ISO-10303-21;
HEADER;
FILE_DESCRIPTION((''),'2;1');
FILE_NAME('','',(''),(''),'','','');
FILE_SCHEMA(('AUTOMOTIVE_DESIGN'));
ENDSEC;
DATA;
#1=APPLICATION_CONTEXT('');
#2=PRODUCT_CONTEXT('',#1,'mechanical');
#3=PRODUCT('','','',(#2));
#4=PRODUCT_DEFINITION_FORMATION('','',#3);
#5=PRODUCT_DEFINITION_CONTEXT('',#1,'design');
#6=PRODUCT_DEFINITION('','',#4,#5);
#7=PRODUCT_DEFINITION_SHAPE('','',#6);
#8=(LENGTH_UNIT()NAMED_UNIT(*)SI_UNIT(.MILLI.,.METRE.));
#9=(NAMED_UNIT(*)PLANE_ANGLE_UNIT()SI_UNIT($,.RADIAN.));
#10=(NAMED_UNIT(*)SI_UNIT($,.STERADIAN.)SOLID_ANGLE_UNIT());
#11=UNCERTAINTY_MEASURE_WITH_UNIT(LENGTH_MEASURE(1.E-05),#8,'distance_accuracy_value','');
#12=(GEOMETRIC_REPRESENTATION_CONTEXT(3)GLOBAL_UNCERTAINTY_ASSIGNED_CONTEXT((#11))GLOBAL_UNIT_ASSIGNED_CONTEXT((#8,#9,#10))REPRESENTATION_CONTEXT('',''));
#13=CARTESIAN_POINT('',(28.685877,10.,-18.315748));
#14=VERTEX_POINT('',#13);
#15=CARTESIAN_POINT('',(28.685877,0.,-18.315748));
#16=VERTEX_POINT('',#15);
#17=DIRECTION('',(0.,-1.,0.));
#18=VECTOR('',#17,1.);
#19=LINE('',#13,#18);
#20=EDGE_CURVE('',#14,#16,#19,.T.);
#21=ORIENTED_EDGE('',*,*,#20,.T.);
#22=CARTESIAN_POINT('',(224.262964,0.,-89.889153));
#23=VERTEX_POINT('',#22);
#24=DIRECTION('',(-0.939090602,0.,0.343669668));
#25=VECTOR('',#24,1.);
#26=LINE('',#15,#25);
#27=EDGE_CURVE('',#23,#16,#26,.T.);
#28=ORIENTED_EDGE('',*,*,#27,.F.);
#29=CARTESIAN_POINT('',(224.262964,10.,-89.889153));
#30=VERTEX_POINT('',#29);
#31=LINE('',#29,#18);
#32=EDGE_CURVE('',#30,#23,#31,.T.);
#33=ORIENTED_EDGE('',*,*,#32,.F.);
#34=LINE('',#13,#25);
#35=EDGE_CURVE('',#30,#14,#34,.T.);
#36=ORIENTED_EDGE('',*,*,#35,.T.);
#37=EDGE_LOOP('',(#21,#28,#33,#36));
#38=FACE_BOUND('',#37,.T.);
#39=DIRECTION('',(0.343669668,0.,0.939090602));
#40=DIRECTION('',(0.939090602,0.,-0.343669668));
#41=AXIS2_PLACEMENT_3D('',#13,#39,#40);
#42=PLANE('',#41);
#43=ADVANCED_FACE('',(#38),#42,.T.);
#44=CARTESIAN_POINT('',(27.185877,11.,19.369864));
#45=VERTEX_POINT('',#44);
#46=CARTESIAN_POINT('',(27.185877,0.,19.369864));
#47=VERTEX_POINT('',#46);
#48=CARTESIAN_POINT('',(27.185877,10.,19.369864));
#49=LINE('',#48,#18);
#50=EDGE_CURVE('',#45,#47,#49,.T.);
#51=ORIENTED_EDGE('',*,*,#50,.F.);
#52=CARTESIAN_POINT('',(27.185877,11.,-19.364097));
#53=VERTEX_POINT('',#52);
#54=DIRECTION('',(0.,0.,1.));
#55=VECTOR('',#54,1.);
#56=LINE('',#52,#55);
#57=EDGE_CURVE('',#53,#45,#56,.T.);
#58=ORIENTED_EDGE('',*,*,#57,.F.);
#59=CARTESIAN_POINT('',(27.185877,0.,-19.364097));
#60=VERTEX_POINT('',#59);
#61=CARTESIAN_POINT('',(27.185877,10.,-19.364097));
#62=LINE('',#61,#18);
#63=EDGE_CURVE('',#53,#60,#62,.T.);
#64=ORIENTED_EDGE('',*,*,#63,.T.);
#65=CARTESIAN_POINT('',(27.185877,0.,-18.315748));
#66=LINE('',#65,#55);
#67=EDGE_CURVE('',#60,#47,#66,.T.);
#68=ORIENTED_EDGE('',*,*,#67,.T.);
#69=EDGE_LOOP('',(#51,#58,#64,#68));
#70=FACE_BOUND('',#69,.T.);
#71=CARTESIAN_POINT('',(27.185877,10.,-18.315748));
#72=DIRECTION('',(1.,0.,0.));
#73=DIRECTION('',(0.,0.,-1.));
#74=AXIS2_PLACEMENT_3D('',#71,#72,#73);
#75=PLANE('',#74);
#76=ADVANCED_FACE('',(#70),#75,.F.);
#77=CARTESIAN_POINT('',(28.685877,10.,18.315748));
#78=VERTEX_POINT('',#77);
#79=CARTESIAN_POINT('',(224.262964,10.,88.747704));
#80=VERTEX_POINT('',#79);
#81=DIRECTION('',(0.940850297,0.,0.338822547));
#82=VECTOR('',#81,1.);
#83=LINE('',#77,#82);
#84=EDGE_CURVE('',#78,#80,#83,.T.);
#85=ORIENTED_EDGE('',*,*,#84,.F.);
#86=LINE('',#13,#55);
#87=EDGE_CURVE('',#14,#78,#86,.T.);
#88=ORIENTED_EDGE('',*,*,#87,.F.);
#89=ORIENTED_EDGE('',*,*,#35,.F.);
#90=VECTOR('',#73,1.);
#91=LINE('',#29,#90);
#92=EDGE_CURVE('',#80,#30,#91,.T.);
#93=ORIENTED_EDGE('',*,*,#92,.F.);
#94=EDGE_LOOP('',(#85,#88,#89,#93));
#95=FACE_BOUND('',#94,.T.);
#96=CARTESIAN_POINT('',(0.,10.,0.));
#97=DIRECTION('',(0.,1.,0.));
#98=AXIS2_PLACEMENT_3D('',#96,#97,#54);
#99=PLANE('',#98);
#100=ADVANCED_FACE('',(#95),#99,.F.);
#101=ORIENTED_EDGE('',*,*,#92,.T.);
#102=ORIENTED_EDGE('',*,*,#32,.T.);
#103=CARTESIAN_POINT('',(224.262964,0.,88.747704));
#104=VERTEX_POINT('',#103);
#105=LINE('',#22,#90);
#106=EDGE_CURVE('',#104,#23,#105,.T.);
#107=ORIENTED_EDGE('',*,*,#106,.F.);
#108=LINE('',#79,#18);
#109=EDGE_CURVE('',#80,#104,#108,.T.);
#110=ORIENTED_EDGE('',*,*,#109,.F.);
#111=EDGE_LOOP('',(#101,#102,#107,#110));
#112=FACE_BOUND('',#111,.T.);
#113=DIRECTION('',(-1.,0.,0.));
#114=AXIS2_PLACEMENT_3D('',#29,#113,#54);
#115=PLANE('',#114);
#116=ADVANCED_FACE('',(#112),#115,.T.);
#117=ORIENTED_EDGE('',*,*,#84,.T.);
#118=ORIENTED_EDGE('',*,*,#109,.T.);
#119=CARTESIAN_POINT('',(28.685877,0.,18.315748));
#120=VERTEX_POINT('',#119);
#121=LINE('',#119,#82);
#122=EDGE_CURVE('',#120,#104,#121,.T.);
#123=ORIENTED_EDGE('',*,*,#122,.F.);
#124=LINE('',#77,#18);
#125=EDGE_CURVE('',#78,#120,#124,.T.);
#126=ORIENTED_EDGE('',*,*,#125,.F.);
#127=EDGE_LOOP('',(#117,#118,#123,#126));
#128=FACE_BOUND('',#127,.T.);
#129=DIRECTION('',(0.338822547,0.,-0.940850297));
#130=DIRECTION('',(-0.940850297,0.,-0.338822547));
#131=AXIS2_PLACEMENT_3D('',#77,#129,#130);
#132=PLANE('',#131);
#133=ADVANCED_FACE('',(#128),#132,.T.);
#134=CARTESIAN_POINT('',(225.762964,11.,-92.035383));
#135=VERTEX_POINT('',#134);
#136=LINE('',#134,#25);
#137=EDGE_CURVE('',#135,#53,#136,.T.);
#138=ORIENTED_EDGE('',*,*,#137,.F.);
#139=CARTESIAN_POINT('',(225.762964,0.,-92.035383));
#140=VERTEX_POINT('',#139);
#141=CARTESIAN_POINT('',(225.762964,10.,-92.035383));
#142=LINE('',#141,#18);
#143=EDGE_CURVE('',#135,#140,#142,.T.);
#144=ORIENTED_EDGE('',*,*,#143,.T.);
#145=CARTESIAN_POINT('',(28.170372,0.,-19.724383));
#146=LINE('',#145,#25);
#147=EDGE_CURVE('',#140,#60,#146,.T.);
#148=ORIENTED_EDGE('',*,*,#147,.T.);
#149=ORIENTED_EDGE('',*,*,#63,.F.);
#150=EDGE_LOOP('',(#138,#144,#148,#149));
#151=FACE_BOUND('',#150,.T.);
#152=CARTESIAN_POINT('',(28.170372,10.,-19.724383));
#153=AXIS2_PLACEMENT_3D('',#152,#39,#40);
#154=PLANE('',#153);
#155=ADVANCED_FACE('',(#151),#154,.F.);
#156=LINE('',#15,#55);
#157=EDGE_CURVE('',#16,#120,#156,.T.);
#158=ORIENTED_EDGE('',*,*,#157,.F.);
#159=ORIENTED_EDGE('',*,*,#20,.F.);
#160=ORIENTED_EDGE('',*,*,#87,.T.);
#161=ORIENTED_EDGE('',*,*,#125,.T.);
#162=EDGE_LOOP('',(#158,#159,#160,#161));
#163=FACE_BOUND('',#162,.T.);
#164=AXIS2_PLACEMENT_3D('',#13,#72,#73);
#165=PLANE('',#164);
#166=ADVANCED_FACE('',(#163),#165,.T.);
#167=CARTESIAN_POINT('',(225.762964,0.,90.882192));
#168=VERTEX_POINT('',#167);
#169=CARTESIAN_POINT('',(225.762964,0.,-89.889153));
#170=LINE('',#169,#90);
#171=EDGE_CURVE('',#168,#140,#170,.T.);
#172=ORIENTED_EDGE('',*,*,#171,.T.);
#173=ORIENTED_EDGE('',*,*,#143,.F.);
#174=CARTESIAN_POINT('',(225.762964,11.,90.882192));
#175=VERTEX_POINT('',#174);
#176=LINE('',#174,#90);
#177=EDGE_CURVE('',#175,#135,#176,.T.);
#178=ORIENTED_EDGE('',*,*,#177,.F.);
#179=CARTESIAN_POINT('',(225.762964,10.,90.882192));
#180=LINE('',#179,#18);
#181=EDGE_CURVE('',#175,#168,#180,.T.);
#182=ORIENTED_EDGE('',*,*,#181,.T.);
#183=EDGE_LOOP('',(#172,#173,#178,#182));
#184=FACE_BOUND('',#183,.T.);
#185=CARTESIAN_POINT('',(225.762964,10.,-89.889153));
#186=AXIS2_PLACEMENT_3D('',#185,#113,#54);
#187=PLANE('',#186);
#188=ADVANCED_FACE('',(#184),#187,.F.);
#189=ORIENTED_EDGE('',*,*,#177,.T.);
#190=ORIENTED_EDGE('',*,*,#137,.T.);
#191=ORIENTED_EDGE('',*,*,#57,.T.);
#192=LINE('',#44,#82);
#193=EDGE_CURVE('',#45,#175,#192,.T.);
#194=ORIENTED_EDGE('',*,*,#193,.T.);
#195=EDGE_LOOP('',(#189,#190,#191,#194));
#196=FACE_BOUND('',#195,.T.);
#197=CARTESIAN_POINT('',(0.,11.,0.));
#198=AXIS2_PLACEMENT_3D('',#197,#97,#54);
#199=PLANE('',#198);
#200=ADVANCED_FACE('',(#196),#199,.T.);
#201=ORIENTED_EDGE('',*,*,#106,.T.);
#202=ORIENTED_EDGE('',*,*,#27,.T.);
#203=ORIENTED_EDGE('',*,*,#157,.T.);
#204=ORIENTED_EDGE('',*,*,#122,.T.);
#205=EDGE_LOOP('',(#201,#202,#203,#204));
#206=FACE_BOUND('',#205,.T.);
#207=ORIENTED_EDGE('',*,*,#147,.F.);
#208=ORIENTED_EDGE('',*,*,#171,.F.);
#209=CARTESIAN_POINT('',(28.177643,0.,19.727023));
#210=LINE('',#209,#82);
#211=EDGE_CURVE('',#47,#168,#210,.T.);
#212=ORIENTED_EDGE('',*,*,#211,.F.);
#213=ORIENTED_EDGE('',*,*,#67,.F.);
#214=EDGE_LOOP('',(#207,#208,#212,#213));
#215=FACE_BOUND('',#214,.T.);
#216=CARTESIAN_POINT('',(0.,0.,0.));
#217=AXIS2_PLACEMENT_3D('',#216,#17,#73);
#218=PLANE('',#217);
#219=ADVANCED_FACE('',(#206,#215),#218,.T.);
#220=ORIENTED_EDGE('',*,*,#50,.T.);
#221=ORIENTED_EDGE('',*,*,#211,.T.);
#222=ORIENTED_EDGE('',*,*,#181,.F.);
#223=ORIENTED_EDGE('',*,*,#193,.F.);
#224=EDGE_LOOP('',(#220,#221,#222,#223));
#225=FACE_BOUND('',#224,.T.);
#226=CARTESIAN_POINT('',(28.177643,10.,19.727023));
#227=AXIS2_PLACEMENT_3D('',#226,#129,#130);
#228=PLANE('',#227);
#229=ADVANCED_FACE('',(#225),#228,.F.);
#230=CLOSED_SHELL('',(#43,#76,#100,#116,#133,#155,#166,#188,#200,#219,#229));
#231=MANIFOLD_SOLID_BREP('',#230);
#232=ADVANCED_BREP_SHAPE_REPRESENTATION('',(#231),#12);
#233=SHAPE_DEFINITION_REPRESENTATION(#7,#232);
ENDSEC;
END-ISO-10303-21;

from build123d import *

# Parameters (mm, degrees)
EXTRU_MINCE1_DEPTH = 10
BOSS_EXTRU_1_DEPTH = 1


with BuildPart() as part:
    # Esquisse1 → Extru.-Mince1 (new body)
    with BuildSketch(Plane(origin=(0, 0, 0), x_dir=(1, 0, 0), z_dir=(0, 1, 0))):
        Polygon((225.762963936, -90.882191775), (27.185876504, -19.369864417), (27.185876504, 19.364097393), (225.762963936, 92.035383262), align=None)
        Polygon((224.262963936, -88.747703615), (28.685876504, -18.315747537), (28.685876504, 18.315747537), (224.262963936, 89.889153179), align=None, mode=Mode.SUBTRACT)
    extrude(amount=EXTRU_MINCE1_DEPTH)

    # Esquisse2 → Boss.-Extru.1 (add)
    with BuildSketch(Plane(origin=(0, 10, 0), x_dir=(1, 0, 0), z_dir=(0, 1, 0))):
        Polygon((225.762963936, -90.882191775), (225.762963936, 92.035383262), (27.185876504, 19.364097393), (27.185876504, -19.369864417), align=None)
    extrude(amount=BOSS_EXTRU_1_DEPTH)


solid = part.part
